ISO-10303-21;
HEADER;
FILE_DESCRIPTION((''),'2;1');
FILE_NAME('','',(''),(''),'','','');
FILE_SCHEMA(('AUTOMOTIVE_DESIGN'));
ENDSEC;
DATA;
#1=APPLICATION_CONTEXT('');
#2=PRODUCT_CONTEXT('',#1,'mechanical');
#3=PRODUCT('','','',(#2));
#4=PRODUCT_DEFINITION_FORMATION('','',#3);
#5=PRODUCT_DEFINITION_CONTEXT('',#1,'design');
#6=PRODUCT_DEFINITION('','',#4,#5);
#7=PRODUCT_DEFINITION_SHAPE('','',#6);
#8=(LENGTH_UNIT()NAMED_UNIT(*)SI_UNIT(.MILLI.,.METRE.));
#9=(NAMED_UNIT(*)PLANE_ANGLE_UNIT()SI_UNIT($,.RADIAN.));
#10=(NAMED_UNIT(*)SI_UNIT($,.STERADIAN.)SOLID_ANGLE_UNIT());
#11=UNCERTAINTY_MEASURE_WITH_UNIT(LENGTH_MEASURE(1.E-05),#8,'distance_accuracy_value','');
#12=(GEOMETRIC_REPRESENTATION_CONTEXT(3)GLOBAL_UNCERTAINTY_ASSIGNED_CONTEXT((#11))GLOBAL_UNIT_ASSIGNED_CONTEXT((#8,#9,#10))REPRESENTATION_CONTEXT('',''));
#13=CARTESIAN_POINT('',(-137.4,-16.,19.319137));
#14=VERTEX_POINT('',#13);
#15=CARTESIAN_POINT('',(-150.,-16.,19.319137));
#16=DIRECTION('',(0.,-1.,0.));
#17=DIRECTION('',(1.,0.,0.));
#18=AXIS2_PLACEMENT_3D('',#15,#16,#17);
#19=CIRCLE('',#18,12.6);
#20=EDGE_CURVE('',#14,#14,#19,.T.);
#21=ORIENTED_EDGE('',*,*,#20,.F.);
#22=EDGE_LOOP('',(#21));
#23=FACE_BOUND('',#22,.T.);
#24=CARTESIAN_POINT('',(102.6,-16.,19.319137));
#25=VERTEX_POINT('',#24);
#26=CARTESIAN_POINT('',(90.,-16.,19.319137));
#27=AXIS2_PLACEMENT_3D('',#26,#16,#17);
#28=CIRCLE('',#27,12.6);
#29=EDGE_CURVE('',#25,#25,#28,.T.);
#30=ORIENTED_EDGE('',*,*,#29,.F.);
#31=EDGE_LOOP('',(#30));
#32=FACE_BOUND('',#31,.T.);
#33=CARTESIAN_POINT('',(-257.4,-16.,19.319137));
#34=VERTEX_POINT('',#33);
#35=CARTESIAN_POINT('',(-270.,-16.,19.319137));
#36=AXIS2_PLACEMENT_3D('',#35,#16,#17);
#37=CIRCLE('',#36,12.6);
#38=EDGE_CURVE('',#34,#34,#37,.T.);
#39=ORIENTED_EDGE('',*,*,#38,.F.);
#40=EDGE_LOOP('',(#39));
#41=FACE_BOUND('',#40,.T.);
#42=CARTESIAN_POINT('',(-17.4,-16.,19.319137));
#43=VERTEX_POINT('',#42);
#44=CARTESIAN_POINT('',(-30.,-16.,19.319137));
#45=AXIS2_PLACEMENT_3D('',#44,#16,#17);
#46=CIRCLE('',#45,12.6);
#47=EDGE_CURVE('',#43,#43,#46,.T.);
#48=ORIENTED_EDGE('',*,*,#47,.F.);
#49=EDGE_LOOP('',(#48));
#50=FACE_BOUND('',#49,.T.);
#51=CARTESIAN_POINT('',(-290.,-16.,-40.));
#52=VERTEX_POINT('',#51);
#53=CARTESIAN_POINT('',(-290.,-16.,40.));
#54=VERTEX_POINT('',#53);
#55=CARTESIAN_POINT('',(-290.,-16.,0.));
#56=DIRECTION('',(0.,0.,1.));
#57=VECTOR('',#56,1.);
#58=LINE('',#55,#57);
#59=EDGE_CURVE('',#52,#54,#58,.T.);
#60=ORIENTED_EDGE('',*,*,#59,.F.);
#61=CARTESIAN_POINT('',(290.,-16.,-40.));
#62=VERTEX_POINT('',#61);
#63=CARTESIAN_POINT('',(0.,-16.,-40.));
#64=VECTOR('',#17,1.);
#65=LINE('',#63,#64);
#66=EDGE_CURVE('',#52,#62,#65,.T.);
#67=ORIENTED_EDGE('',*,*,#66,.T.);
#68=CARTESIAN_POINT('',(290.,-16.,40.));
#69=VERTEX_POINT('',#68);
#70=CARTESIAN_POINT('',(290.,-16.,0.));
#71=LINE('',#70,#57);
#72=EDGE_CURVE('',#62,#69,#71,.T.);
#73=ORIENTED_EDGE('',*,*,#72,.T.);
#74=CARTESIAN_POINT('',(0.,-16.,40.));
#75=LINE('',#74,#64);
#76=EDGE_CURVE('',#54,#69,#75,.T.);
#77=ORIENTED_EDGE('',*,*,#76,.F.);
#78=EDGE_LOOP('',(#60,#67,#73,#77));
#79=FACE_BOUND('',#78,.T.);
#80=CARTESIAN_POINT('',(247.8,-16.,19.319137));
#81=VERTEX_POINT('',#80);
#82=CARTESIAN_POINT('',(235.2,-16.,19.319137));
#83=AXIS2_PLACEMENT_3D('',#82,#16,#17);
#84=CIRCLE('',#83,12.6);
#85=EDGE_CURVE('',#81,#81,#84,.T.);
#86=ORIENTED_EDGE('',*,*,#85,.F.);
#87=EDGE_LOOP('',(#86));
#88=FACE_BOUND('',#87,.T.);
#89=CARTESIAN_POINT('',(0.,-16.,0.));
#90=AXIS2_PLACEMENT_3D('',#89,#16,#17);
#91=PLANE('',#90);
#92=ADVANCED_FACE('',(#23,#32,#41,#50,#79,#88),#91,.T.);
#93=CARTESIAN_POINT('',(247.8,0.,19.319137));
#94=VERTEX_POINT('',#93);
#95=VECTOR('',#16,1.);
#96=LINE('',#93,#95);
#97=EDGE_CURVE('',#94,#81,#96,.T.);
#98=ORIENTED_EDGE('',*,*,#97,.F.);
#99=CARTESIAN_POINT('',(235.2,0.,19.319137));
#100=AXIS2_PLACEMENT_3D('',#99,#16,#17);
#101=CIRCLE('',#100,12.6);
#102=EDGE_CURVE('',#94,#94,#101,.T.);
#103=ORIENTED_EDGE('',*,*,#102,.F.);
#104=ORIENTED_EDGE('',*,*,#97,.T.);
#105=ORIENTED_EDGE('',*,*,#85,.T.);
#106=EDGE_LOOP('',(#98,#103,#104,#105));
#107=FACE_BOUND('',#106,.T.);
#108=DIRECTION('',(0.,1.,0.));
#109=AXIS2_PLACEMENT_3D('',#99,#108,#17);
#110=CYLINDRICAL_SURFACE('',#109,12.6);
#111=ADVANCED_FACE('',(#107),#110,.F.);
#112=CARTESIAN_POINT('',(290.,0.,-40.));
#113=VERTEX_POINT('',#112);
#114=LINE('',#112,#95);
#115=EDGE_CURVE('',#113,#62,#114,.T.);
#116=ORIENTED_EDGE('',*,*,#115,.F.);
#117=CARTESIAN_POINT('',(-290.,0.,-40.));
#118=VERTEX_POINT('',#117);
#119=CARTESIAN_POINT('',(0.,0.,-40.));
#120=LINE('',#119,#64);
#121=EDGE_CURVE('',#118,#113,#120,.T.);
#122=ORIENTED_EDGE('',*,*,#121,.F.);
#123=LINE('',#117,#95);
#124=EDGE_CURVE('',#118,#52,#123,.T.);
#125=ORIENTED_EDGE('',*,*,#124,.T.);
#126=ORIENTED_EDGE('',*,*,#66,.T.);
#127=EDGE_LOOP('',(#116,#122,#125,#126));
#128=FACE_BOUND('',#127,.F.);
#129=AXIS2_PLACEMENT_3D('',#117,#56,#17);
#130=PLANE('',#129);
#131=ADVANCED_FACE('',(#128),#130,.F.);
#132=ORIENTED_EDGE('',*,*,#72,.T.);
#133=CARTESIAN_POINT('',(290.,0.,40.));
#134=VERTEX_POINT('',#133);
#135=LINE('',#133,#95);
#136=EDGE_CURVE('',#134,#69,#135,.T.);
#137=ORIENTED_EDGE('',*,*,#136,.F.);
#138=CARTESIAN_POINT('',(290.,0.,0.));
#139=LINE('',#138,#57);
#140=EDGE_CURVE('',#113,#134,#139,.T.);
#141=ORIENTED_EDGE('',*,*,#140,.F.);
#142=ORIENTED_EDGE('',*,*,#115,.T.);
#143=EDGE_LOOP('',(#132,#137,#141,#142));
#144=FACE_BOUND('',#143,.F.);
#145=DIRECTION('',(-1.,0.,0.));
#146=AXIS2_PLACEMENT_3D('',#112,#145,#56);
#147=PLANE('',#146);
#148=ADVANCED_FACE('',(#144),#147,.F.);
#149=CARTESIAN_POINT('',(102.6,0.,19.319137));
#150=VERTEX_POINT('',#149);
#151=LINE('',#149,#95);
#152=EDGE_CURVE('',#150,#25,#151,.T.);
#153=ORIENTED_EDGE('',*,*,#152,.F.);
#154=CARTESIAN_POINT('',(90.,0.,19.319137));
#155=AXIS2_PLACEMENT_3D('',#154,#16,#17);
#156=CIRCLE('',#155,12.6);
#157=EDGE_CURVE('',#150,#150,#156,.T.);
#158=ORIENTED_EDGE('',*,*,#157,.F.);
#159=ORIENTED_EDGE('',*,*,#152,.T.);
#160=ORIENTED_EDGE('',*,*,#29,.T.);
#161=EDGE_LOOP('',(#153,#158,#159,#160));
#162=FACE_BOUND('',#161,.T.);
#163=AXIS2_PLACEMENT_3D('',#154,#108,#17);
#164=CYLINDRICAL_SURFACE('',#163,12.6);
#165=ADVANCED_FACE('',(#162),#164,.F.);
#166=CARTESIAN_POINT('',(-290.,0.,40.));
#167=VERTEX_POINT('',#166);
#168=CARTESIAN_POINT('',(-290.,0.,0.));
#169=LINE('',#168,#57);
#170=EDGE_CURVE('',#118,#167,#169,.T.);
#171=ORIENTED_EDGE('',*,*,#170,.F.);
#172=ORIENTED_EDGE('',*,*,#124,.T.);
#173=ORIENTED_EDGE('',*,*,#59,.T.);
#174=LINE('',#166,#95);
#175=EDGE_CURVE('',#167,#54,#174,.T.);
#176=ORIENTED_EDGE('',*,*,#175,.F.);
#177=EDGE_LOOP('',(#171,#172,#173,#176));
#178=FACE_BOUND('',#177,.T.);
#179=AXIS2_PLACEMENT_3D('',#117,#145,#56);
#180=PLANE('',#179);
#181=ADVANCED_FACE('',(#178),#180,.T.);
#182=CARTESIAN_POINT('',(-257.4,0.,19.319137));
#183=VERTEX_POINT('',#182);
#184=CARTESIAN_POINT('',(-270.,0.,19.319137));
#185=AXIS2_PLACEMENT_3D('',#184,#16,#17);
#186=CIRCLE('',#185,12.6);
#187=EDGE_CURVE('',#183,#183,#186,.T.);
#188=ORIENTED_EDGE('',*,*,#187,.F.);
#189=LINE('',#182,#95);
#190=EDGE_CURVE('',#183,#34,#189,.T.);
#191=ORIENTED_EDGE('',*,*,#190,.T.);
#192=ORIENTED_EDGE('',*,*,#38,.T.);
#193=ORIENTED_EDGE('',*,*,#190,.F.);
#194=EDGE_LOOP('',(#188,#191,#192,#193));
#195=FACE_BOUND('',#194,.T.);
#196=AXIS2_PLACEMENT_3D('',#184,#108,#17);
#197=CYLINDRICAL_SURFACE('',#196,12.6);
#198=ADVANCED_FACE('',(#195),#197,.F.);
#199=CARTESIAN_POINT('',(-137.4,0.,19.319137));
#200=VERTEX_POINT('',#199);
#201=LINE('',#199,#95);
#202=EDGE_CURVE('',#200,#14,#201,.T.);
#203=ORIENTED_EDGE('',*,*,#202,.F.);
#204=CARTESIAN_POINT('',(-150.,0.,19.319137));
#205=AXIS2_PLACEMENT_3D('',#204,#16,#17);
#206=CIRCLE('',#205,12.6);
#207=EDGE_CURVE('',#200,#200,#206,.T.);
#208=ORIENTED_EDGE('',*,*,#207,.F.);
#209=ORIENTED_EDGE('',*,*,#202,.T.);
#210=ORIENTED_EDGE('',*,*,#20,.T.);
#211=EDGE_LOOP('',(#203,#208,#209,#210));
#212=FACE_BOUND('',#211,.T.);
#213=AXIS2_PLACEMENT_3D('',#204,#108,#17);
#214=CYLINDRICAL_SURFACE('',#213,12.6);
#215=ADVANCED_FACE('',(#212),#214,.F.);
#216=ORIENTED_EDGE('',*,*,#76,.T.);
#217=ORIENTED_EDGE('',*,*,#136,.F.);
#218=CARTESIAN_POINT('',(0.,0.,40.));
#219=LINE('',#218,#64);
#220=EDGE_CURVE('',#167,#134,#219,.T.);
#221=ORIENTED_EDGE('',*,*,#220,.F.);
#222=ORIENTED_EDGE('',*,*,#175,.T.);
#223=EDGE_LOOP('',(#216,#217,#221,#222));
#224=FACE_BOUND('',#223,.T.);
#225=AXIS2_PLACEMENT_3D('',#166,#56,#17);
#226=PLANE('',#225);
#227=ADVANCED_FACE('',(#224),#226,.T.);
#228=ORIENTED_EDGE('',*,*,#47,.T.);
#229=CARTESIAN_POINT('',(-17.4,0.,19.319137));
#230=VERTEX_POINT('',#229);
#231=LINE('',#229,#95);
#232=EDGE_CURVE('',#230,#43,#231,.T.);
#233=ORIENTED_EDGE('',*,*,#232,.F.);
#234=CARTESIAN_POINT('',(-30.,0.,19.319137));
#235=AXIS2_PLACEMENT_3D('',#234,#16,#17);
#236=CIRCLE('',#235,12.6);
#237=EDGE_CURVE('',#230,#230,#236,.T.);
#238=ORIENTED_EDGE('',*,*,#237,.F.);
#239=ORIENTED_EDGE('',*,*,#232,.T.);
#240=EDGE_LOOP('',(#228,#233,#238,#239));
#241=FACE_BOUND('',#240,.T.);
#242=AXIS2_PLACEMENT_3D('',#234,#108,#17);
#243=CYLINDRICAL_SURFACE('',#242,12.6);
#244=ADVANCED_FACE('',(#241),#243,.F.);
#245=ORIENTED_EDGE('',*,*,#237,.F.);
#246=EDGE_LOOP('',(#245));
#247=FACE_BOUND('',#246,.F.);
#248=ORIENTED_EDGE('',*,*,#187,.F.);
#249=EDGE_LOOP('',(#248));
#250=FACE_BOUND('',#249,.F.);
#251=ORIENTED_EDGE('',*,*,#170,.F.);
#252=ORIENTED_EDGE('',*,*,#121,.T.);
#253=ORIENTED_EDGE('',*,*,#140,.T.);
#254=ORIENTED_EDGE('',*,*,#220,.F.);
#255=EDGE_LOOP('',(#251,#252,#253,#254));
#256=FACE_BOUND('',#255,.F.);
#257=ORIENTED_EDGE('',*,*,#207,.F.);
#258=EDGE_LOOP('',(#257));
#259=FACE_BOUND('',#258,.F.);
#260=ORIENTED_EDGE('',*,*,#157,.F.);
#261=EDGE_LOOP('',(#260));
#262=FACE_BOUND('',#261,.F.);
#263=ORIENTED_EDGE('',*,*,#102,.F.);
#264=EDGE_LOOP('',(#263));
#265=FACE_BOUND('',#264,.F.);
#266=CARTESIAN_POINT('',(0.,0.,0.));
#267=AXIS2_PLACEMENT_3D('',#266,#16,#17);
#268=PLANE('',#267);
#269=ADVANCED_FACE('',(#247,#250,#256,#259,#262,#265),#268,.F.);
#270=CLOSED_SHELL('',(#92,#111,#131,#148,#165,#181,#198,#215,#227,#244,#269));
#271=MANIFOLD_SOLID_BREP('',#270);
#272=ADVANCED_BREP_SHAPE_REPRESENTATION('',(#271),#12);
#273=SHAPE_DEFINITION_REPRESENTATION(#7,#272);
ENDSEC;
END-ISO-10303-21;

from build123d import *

# Parameters (mm, degrees)
F0_W     = 580
F0_H     = 80
F0_R     = 12.6
F1_DEPTH = 16


with BuildPart() as f1:
    # F0 (on Front) → F1 (new body)
    with BuildSketch(Plane.XZ):
        Rectangle(F0_W, F0_H)
        with Locations((-270, 19.319137)):
            Circle(F0_R, mode=Mode.SUBTRACT)
        with Locations((-150, 19.319137)):
            Circle(F0_R, mode=Mode.SUBTRACT)
        with Locations((-30, 19.319137)):
            Circle(F0_R, mode=Mode.SUBTRACT)
        with Locations((90, 19.319137)):
            Circle(F0_R, mode=Mode.SUBTRACT)
        with Locations((235.2, 19.319137)):
            Circle(F0_R, mode=Mode.SUBTRACT)
    extrude(amount=F1_DEPTH)


solid = f1.part
